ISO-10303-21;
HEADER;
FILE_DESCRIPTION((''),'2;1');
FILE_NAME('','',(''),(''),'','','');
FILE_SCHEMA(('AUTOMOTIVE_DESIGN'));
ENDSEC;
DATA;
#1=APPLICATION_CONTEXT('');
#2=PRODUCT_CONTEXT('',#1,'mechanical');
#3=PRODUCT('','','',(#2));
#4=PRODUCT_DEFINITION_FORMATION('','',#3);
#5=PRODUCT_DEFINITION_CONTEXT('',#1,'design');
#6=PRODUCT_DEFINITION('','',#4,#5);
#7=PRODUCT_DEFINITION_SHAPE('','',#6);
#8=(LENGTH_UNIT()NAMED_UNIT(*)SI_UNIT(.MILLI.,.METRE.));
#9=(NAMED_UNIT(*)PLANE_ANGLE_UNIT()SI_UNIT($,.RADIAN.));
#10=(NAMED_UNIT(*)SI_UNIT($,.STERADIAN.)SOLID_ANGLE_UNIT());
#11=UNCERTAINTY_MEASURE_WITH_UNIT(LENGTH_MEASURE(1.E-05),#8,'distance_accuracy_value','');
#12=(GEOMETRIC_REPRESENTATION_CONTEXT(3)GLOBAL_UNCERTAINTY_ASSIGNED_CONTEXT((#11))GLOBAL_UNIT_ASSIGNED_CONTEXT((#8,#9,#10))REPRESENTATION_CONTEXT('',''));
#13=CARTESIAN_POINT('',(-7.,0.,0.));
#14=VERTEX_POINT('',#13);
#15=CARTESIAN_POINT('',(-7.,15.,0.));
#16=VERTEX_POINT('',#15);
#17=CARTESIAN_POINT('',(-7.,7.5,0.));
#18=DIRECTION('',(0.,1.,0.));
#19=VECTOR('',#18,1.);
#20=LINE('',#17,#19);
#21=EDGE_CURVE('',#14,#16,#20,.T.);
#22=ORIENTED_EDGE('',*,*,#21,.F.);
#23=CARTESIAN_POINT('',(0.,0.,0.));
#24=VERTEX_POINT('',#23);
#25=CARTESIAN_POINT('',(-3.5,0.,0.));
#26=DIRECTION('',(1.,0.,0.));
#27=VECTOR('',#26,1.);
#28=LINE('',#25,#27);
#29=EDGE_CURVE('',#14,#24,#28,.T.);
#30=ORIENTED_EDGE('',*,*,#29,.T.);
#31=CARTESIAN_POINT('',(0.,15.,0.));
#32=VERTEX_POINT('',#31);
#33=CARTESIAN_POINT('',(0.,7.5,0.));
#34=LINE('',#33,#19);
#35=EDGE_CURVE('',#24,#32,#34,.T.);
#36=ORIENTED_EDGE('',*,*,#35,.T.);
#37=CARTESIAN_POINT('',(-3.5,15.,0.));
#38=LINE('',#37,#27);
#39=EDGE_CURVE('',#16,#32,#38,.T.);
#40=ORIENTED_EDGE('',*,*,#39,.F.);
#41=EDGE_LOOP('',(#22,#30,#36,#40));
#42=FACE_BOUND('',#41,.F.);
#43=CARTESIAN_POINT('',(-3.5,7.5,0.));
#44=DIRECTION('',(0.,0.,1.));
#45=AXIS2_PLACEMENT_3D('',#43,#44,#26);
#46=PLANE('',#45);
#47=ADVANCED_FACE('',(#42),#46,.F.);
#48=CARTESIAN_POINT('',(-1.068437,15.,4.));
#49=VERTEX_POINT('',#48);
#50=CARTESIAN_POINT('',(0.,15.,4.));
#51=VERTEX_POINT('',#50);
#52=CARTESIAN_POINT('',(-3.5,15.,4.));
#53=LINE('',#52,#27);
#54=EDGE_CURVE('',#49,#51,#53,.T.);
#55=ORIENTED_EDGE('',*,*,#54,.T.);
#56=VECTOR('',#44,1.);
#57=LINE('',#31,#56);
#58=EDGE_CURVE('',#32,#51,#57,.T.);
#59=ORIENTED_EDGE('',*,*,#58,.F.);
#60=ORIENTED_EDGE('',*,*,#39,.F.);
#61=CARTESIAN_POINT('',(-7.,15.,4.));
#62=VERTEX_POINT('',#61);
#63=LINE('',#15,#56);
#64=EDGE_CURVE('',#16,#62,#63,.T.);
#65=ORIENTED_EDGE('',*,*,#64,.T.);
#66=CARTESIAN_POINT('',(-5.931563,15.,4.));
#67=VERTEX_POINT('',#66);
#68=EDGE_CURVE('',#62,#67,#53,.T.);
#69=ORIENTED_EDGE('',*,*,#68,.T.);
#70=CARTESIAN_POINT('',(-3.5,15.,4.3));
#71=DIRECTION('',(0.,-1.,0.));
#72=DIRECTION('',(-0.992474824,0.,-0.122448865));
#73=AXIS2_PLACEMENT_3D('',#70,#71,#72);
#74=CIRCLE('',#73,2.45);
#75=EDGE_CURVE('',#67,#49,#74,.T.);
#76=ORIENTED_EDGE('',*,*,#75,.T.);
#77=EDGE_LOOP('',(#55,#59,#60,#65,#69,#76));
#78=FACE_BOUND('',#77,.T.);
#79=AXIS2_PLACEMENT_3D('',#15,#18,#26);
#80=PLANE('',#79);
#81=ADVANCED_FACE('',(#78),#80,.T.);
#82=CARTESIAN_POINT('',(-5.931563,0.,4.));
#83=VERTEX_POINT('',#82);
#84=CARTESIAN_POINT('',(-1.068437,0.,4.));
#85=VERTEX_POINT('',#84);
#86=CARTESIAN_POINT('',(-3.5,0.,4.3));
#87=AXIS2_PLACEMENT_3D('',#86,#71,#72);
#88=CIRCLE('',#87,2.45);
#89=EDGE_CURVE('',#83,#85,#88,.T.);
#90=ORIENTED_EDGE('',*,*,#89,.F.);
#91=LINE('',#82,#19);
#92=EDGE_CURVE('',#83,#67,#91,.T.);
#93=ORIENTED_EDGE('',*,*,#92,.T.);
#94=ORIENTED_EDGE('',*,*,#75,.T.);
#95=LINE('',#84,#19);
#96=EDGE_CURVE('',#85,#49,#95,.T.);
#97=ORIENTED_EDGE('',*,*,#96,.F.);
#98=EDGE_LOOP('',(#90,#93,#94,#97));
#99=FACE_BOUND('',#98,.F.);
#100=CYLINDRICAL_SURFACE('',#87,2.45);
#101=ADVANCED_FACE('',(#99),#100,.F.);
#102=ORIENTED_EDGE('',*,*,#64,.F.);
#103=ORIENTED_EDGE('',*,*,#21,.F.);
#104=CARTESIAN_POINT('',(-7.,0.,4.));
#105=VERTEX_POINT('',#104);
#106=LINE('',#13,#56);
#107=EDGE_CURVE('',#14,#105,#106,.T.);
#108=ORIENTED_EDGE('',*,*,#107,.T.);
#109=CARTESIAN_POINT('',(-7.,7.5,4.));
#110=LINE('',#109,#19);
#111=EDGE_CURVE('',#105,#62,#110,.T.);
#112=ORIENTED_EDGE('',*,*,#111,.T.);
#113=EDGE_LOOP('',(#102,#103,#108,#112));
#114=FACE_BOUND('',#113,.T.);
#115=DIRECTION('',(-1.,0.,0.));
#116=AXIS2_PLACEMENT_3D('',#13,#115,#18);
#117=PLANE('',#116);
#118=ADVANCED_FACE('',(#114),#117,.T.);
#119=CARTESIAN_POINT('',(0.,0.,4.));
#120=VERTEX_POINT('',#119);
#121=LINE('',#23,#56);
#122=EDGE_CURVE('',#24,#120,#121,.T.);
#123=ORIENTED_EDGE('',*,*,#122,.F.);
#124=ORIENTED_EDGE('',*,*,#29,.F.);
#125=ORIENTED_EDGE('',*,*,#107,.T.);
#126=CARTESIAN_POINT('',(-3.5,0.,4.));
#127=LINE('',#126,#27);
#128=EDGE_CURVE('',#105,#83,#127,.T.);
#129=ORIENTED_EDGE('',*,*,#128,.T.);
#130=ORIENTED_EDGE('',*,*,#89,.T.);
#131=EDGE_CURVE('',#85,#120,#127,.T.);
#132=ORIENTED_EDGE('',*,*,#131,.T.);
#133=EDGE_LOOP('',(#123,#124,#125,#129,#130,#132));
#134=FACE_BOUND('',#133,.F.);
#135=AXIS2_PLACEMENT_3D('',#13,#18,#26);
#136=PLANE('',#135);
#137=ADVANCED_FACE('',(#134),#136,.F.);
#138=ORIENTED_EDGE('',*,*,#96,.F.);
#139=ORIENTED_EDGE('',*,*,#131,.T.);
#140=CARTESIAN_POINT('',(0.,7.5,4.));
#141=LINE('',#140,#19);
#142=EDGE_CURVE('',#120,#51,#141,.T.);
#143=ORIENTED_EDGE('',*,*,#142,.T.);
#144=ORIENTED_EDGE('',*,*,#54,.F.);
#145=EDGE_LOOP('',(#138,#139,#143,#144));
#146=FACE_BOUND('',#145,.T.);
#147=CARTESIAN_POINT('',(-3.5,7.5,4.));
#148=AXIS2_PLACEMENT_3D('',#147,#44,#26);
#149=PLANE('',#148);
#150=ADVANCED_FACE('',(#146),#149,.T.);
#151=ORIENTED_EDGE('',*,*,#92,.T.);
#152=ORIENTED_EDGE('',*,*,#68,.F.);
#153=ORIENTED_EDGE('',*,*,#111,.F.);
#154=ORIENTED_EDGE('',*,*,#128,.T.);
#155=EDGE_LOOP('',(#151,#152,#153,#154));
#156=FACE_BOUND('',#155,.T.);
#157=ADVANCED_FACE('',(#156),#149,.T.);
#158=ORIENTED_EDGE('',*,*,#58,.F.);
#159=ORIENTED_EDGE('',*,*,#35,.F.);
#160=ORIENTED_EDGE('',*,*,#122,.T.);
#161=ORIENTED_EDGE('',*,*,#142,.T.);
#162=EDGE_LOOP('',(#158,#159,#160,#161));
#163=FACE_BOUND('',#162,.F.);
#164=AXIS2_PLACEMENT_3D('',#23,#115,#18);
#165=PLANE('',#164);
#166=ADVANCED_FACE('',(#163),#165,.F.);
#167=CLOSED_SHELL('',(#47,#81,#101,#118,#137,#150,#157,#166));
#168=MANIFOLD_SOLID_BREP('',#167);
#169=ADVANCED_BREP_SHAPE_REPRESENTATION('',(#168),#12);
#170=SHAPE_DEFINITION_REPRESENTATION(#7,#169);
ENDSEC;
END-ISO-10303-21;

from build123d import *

# Parameters (mm, degrees)
F0_W     = 7
F0_H     = 15
F1_DEPTH = 4
F3_DEPTH = 15.001


with BuildPart() as f1:
    # F0 (on Top) → F1 (new body)
    with BuildSketch(Plane.XY):
        with Locations((-3.5, 7.5)):
            Rectangle(F0_W, F0_H)
    extrude(amount=F1_DEPTH)

    # F2 (on face) → F3 (cut, through all)
    with BuildSketch(Plane.XZ):
        with BuildLine():
            Line((-1.068437, 4), (-5.931563, 4))
            ThreePointArc((-5.931563, 4), (-3.5, 1.85), (-1.068437, 4))
        make_face()
        with BuildLine():
            ThreePointArc((-1.068437, 4), (-1.054614, 4.149717), (-1.05, 4.3))
            ThreePointArc((-1.05, 4.3), (-3.650283, 6.745386), (-5.931563, 4))
            Line((-5.931563, 4), (-1.068437, 4))
        make_face()
    extrude(amount=-F3_DEPTH, mode=Mode.SUBTRACT)


solid = f1.part
